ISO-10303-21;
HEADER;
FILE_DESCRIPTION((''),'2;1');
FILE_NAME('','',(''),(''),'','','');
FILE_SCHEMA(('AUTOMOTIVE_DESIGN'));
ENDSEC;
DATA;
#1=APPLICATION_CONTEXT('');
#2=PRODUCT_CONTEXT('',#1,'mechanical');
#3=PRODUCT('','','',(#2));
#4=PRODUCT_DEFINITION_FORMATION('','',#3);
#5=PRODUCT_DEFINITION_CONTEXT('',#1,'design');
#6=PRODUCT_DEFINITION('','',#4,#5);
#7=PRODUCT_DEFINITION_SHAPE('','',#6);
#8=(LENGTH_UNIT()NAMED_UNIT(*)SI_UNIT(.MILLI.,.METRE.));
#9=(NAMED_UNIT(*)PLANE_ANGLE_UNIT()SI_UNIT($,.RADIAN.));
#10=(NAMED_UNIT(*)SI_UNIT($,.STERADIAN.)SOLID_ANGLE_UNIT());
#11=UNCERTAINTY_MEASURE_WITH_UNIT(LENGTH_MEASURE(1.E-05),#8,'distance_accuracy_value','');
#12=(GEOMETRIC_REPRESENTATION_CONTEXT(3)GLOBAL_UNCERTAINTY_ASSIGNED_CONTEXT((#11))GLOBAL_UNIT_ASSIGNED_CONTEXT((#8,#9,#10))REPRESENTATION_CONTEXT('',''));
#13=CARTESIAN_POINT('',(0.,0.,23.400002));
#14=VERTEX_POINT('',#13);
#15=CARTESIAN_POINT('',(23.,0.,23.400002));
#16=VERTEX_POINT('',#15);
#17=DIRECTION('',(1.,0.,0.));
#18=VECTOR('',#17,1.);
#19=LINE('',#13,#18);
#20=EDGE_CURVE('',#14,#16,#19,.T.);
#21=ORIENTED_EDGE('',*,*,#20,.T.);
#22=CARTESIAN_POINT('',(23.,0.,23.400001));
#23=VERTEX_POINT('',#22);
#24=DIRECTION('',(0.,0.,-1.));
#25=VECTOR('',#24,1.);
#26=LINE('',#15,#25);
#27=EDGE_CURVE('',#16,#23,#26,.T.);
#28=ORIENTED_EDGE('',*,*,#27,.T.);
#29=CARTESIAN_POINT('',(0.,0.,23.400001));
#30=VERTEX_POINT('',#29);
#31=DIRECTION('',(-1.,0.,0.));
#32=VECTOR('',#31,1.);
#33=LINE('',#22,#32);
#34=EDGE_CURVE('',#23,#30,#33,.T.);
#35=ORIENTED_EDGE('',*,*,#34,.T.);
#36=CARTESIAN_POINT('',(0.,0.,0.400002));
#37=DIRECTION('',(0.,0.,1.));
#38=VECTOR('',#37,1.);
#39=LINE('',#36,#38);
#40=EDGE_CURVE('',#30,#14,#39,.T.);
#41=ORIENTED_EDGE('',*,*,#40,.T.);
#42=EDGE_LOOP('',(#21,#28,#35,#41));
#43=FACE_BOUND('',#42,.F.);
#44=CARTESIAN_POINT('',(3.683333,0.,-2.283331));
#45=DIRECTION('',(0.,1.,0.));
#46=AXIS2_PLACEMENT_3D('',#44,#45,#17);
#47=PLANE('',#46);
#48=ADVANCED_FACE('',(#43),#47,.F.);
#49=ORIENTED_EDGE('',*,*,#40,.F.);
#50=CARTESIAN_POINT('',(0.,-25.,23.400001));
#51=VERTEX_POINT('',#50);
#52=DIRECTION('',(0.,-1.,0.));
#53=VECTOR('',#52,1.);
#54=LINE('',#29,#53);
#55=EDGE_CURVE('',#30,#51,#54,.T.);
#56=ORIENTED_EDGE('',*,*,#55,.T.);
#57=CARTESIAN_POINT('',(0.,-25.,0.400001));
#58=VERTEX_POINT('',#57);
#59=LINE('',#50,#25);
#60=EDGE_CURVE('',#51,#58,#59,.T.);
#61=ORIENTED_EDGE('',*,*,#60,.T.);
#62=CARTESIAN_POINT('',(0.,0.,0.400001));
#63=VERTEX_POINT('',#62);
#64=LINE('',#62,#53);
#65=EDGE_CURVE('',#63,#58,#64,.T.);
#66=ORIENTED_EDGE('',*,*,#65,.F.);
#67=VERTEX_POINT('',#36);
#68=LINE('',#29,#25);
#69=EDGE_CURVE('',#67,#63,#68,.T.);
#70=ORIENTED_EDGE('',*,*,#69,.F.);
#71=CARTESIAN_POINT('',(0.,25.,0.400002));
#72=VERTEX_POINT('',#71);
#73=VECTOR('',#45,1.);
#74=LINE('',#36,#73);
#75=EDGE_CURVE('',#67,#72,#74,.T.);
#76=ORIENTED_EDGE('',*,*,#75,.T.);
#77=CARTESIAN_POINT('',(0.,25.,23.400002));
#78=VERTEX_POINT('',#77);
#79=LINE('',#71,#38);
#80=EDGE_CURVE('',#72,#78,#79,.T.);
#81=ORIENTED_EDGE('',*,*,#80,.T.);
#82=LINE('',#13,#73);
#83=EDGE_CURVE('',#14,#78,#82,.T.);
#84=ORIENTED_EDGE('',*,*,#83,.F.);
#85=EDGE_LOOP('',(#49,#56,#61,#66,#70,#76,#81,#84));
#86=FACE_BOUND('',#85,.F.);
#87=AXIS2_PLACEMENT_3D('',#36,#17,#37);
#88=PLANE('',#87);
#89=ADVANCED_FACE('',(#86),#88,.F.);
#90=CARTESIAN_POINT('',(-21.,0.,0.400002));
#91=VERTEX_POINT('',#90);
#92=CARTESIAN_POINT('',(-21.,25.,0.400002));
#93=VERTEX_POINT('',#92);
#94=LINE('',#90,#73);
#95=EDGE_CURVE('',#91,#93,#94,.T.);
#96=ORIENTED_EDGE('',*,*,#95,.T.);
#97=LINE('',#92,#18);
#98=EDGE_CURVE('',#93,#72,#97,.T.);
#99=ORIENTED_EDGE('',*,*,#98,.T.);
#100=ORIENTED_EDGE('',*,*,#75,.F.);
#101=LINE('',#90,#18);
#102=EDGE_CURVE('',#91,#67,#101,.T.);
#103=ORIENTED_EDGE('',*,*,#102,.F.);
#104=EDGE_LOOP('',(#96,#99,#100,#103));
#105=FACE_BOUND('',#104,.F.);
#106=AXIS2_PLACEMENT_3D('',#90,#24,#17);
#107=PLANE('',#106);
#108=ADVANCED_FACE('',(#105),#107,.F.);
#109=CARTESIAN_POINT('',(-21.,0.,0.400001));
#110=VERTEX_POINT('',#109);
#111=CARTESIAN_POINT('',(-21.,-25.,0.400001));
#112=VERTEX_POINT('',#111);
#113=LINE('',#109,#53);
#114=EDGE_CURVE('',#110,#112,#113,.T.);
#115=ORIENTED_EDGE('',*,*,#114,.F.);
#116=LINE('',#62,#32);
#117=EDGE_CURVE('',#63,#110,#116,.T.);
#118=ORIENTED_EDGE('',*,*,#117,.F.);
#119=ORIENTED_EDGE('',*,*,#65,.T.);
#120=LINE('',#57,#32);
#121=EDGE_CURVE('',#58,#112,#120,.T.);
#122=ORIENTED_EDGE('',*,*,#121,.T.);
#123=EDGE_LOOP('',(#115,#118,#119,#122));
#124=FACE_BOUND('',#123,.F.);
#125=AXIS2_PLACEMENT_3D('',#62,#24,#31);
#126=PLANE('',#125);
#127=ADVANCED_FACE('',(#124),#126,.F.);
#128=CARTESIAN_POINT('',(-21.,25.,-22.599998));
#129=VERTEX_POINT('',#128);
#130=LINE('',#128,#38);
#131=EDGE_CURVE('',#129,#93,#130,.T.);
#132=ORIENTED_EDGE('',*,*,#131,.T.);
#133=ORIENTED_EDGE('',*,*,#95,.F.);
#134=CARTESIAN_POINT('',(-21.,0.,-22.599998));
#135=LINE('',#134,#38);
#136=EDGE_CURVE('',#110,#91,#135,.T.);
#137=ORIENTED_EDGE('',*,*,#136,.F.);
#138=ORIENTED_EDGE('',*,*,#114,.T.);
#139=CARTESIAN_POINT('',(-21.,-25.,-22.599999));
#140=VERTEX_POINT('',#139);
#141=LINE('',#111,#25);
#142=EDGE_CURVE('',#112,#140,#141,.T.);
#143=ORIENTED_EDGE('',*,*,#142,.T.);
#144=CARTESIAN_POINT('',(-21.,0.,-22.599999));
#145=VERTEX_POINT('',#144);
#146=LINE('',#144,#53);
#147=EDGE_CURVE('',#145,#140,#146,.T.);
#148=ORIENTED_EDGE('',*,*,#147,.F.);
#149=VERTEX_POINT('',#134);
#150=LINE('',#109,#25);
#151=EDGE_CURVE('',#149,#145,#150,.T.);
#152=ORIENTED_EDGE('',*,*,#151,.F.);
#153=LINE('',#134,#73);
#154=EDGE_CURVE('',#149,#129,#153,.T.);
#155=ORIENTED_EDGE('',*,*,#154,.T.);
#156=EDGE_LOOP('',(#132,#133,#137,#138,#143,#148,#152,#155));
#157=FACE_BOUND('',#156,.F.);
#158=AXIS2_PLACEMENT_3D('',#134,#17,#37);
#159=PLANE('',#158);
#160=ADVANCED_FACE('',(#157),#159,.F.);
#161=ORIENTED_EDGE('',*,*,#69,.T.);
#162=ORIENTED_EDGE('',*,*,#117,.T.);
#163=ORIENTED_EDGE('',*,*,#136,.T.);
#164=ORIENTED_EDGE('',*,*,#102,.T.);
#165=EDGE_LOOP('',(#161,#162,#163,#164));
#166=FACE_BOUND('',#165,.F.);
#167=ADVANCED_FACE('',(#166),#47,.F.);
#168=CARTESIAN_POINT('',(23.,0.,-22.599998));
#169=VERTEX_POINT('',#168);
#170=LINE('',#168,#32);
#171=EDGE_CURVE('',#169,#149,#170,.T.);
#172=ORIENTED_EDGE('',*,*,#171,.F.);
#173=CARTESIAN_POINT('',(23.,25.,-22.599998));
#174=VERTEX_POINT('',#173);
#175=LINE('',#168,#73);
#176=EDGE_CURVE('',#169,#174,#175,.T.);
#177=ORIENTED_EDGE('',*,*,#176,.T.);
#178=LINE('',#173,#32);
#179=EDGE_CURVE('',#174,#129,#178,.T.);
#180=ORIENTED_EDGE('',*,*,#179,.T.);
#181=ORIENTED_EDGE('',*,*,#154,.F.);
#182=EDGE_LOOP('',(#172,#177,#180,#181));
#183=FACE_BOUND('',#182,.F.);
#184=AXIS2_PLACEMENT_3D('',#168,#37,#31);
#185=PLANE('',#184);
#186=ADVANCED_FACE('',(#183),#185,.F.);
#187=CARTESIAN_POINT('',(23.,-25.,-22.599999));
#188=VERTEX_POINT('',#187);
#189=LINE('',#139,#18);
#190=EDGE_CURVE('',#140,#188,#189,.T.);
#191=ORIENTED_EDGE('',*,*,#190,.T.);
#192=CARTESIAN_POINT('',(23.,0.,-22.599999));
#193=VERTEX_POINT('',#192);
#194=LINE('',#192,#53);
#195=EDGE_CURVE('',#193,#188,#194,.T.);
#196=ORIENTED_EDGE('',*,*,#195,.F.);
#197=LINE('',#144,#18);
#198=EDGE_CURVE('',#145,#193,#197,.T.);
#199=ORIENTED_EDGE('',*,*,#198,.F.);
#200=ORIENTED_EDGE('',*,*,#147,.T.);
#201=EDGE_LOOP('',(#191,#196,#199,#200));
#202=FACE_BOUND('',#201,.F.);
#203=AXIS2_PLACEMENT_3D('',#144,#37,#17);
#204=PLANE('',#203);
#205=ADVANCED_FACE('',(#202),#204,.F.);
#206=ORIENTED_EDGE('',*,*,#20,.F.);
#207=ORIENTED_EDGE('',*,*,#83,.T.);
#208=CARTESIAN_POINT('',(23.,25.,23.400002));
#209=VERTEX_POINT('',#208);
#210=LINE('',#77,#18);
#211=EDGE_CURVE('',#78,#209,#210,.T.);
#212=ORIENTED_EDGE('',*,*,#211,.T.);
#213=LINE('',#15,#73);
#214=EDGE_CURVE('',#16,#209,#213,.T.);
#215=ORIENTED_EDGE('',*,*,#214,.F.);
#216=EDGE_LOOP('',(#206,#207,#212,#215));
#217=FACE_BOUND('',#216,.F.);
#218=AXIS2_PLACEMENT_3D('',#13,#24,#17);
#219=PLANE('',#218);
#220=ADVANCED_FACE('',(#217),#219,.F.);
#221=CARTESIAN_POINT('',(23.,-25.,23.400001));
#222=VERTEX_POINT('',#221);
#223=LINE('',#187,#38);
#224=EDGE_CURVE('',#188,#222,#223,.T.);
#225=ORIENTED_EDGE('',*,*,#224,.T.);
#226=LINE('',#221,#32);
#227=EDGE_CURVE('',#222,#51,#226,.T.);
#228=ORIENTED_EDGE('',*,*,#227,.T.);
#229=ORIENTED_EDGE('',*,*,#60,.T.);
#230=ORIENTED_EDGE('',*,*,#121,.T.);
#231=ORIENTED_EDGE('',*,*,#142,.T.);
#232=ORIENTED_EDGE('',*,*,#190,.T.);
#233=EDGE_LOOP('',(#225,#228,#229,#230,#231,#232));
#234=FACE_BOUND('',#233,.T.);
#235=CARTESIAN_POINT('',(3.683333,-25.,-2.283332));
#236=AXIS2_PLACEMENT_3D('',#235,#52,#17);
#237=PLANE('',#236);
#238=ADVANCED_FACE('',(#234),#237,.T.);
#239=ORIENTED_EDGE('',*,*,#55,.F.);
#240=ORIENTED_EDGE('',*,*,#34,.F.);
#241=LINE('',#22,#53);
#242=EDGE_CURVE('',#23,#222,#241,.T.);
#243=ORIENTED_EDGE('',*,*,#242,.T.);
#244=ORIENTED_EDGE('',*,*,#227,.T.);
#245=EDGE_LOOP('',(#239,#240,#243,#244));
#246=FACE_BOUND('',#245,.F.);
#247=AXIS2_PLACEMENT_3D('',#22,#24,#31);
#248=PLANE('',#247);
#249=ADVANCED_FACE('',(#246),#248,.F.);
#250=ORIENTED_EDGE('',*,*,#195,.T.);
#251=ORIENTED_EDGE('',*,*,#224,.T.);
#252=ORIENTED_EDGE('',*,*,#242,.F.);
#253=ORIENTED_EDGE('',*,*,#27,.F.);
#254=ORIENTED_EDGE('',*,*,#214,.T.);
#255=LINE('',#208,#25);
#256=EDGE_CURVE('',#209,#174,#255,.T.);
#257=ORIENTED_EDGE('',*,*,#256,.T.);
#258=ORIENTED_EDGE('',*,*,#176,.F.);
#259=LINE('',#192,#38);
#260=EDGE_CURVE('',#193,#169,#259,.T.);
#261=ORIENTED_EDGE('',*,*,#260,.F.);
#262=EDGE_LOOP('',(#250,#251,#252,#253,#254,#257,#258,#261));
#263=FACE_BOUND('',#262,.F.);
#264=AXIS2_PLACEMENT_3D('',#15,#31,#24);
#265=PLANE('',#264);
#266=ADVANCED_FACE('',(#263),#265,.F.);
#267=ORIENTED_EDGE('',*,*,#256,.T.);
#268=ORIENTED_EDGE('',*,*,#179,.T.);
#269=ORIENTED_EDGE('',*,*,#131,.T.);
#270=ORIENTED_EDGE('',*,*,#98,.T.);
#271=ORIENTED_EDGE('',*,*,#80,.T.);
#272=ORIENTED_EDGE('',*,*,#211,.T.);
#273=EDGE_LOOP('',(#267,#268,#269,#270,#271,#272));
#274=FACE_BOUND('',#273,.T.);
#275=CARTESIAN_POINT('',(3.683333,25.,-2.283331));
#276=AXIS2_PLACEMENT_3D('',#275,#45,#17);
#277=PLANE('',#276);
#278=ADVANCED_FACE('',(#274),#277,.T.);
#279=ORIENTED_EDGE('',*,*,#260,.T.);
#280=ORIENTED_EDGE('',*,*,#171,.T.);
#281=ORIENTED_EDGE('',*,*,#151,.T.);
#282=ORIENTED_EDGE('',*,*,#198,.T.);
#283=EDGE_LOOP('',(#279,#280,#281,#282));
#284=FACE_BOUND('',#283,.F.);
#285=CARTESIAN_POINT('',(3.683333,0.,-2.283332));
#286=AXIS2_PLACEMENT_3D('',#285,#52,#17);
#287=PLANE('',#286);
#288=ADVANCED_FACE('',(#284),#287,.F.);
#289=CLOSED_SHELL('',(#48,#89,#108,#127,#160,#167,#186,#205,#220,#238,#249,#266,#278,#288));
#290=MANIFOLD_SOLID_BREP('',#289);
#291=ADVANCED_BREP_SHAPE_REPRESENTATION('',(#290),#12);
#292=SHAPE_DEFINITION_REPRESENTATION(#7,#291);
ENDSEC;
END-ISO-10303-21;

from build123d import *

# Parameters (mm, degrees)
F1_DEPTH = 25
F3_DEPTH = 25


with BuildPart() as f1:
    # F0 (on Front) → F1 (new body)
    with BuildSketch(Plane.XZ):
        Polygon((23, 23.400001), (0, 23.400001), (0, 0.400001), (-21, 0.400001), (-21, -22.599999), (23, -22.599999), align=None)
    extrude(amount=F1_DEPTH)

    # F1_face (on face) → F3 (join)
    with BuildSketch(Plane(origin=(4.604478, 0, -3.204476), x_dir=(1, 0, 0), z_dir=(0, 1, 0))):
        Polygon((18.395522, -26.604478), (18.395522, 19.395522), (-25.604478, 19.395522), (-25.604478, -3.604478), (-4.604478, -3.604478), (-4.604478, -26.604478), align=None)
    extrude(amount=F3_DEPTH)


solid = f1.part
